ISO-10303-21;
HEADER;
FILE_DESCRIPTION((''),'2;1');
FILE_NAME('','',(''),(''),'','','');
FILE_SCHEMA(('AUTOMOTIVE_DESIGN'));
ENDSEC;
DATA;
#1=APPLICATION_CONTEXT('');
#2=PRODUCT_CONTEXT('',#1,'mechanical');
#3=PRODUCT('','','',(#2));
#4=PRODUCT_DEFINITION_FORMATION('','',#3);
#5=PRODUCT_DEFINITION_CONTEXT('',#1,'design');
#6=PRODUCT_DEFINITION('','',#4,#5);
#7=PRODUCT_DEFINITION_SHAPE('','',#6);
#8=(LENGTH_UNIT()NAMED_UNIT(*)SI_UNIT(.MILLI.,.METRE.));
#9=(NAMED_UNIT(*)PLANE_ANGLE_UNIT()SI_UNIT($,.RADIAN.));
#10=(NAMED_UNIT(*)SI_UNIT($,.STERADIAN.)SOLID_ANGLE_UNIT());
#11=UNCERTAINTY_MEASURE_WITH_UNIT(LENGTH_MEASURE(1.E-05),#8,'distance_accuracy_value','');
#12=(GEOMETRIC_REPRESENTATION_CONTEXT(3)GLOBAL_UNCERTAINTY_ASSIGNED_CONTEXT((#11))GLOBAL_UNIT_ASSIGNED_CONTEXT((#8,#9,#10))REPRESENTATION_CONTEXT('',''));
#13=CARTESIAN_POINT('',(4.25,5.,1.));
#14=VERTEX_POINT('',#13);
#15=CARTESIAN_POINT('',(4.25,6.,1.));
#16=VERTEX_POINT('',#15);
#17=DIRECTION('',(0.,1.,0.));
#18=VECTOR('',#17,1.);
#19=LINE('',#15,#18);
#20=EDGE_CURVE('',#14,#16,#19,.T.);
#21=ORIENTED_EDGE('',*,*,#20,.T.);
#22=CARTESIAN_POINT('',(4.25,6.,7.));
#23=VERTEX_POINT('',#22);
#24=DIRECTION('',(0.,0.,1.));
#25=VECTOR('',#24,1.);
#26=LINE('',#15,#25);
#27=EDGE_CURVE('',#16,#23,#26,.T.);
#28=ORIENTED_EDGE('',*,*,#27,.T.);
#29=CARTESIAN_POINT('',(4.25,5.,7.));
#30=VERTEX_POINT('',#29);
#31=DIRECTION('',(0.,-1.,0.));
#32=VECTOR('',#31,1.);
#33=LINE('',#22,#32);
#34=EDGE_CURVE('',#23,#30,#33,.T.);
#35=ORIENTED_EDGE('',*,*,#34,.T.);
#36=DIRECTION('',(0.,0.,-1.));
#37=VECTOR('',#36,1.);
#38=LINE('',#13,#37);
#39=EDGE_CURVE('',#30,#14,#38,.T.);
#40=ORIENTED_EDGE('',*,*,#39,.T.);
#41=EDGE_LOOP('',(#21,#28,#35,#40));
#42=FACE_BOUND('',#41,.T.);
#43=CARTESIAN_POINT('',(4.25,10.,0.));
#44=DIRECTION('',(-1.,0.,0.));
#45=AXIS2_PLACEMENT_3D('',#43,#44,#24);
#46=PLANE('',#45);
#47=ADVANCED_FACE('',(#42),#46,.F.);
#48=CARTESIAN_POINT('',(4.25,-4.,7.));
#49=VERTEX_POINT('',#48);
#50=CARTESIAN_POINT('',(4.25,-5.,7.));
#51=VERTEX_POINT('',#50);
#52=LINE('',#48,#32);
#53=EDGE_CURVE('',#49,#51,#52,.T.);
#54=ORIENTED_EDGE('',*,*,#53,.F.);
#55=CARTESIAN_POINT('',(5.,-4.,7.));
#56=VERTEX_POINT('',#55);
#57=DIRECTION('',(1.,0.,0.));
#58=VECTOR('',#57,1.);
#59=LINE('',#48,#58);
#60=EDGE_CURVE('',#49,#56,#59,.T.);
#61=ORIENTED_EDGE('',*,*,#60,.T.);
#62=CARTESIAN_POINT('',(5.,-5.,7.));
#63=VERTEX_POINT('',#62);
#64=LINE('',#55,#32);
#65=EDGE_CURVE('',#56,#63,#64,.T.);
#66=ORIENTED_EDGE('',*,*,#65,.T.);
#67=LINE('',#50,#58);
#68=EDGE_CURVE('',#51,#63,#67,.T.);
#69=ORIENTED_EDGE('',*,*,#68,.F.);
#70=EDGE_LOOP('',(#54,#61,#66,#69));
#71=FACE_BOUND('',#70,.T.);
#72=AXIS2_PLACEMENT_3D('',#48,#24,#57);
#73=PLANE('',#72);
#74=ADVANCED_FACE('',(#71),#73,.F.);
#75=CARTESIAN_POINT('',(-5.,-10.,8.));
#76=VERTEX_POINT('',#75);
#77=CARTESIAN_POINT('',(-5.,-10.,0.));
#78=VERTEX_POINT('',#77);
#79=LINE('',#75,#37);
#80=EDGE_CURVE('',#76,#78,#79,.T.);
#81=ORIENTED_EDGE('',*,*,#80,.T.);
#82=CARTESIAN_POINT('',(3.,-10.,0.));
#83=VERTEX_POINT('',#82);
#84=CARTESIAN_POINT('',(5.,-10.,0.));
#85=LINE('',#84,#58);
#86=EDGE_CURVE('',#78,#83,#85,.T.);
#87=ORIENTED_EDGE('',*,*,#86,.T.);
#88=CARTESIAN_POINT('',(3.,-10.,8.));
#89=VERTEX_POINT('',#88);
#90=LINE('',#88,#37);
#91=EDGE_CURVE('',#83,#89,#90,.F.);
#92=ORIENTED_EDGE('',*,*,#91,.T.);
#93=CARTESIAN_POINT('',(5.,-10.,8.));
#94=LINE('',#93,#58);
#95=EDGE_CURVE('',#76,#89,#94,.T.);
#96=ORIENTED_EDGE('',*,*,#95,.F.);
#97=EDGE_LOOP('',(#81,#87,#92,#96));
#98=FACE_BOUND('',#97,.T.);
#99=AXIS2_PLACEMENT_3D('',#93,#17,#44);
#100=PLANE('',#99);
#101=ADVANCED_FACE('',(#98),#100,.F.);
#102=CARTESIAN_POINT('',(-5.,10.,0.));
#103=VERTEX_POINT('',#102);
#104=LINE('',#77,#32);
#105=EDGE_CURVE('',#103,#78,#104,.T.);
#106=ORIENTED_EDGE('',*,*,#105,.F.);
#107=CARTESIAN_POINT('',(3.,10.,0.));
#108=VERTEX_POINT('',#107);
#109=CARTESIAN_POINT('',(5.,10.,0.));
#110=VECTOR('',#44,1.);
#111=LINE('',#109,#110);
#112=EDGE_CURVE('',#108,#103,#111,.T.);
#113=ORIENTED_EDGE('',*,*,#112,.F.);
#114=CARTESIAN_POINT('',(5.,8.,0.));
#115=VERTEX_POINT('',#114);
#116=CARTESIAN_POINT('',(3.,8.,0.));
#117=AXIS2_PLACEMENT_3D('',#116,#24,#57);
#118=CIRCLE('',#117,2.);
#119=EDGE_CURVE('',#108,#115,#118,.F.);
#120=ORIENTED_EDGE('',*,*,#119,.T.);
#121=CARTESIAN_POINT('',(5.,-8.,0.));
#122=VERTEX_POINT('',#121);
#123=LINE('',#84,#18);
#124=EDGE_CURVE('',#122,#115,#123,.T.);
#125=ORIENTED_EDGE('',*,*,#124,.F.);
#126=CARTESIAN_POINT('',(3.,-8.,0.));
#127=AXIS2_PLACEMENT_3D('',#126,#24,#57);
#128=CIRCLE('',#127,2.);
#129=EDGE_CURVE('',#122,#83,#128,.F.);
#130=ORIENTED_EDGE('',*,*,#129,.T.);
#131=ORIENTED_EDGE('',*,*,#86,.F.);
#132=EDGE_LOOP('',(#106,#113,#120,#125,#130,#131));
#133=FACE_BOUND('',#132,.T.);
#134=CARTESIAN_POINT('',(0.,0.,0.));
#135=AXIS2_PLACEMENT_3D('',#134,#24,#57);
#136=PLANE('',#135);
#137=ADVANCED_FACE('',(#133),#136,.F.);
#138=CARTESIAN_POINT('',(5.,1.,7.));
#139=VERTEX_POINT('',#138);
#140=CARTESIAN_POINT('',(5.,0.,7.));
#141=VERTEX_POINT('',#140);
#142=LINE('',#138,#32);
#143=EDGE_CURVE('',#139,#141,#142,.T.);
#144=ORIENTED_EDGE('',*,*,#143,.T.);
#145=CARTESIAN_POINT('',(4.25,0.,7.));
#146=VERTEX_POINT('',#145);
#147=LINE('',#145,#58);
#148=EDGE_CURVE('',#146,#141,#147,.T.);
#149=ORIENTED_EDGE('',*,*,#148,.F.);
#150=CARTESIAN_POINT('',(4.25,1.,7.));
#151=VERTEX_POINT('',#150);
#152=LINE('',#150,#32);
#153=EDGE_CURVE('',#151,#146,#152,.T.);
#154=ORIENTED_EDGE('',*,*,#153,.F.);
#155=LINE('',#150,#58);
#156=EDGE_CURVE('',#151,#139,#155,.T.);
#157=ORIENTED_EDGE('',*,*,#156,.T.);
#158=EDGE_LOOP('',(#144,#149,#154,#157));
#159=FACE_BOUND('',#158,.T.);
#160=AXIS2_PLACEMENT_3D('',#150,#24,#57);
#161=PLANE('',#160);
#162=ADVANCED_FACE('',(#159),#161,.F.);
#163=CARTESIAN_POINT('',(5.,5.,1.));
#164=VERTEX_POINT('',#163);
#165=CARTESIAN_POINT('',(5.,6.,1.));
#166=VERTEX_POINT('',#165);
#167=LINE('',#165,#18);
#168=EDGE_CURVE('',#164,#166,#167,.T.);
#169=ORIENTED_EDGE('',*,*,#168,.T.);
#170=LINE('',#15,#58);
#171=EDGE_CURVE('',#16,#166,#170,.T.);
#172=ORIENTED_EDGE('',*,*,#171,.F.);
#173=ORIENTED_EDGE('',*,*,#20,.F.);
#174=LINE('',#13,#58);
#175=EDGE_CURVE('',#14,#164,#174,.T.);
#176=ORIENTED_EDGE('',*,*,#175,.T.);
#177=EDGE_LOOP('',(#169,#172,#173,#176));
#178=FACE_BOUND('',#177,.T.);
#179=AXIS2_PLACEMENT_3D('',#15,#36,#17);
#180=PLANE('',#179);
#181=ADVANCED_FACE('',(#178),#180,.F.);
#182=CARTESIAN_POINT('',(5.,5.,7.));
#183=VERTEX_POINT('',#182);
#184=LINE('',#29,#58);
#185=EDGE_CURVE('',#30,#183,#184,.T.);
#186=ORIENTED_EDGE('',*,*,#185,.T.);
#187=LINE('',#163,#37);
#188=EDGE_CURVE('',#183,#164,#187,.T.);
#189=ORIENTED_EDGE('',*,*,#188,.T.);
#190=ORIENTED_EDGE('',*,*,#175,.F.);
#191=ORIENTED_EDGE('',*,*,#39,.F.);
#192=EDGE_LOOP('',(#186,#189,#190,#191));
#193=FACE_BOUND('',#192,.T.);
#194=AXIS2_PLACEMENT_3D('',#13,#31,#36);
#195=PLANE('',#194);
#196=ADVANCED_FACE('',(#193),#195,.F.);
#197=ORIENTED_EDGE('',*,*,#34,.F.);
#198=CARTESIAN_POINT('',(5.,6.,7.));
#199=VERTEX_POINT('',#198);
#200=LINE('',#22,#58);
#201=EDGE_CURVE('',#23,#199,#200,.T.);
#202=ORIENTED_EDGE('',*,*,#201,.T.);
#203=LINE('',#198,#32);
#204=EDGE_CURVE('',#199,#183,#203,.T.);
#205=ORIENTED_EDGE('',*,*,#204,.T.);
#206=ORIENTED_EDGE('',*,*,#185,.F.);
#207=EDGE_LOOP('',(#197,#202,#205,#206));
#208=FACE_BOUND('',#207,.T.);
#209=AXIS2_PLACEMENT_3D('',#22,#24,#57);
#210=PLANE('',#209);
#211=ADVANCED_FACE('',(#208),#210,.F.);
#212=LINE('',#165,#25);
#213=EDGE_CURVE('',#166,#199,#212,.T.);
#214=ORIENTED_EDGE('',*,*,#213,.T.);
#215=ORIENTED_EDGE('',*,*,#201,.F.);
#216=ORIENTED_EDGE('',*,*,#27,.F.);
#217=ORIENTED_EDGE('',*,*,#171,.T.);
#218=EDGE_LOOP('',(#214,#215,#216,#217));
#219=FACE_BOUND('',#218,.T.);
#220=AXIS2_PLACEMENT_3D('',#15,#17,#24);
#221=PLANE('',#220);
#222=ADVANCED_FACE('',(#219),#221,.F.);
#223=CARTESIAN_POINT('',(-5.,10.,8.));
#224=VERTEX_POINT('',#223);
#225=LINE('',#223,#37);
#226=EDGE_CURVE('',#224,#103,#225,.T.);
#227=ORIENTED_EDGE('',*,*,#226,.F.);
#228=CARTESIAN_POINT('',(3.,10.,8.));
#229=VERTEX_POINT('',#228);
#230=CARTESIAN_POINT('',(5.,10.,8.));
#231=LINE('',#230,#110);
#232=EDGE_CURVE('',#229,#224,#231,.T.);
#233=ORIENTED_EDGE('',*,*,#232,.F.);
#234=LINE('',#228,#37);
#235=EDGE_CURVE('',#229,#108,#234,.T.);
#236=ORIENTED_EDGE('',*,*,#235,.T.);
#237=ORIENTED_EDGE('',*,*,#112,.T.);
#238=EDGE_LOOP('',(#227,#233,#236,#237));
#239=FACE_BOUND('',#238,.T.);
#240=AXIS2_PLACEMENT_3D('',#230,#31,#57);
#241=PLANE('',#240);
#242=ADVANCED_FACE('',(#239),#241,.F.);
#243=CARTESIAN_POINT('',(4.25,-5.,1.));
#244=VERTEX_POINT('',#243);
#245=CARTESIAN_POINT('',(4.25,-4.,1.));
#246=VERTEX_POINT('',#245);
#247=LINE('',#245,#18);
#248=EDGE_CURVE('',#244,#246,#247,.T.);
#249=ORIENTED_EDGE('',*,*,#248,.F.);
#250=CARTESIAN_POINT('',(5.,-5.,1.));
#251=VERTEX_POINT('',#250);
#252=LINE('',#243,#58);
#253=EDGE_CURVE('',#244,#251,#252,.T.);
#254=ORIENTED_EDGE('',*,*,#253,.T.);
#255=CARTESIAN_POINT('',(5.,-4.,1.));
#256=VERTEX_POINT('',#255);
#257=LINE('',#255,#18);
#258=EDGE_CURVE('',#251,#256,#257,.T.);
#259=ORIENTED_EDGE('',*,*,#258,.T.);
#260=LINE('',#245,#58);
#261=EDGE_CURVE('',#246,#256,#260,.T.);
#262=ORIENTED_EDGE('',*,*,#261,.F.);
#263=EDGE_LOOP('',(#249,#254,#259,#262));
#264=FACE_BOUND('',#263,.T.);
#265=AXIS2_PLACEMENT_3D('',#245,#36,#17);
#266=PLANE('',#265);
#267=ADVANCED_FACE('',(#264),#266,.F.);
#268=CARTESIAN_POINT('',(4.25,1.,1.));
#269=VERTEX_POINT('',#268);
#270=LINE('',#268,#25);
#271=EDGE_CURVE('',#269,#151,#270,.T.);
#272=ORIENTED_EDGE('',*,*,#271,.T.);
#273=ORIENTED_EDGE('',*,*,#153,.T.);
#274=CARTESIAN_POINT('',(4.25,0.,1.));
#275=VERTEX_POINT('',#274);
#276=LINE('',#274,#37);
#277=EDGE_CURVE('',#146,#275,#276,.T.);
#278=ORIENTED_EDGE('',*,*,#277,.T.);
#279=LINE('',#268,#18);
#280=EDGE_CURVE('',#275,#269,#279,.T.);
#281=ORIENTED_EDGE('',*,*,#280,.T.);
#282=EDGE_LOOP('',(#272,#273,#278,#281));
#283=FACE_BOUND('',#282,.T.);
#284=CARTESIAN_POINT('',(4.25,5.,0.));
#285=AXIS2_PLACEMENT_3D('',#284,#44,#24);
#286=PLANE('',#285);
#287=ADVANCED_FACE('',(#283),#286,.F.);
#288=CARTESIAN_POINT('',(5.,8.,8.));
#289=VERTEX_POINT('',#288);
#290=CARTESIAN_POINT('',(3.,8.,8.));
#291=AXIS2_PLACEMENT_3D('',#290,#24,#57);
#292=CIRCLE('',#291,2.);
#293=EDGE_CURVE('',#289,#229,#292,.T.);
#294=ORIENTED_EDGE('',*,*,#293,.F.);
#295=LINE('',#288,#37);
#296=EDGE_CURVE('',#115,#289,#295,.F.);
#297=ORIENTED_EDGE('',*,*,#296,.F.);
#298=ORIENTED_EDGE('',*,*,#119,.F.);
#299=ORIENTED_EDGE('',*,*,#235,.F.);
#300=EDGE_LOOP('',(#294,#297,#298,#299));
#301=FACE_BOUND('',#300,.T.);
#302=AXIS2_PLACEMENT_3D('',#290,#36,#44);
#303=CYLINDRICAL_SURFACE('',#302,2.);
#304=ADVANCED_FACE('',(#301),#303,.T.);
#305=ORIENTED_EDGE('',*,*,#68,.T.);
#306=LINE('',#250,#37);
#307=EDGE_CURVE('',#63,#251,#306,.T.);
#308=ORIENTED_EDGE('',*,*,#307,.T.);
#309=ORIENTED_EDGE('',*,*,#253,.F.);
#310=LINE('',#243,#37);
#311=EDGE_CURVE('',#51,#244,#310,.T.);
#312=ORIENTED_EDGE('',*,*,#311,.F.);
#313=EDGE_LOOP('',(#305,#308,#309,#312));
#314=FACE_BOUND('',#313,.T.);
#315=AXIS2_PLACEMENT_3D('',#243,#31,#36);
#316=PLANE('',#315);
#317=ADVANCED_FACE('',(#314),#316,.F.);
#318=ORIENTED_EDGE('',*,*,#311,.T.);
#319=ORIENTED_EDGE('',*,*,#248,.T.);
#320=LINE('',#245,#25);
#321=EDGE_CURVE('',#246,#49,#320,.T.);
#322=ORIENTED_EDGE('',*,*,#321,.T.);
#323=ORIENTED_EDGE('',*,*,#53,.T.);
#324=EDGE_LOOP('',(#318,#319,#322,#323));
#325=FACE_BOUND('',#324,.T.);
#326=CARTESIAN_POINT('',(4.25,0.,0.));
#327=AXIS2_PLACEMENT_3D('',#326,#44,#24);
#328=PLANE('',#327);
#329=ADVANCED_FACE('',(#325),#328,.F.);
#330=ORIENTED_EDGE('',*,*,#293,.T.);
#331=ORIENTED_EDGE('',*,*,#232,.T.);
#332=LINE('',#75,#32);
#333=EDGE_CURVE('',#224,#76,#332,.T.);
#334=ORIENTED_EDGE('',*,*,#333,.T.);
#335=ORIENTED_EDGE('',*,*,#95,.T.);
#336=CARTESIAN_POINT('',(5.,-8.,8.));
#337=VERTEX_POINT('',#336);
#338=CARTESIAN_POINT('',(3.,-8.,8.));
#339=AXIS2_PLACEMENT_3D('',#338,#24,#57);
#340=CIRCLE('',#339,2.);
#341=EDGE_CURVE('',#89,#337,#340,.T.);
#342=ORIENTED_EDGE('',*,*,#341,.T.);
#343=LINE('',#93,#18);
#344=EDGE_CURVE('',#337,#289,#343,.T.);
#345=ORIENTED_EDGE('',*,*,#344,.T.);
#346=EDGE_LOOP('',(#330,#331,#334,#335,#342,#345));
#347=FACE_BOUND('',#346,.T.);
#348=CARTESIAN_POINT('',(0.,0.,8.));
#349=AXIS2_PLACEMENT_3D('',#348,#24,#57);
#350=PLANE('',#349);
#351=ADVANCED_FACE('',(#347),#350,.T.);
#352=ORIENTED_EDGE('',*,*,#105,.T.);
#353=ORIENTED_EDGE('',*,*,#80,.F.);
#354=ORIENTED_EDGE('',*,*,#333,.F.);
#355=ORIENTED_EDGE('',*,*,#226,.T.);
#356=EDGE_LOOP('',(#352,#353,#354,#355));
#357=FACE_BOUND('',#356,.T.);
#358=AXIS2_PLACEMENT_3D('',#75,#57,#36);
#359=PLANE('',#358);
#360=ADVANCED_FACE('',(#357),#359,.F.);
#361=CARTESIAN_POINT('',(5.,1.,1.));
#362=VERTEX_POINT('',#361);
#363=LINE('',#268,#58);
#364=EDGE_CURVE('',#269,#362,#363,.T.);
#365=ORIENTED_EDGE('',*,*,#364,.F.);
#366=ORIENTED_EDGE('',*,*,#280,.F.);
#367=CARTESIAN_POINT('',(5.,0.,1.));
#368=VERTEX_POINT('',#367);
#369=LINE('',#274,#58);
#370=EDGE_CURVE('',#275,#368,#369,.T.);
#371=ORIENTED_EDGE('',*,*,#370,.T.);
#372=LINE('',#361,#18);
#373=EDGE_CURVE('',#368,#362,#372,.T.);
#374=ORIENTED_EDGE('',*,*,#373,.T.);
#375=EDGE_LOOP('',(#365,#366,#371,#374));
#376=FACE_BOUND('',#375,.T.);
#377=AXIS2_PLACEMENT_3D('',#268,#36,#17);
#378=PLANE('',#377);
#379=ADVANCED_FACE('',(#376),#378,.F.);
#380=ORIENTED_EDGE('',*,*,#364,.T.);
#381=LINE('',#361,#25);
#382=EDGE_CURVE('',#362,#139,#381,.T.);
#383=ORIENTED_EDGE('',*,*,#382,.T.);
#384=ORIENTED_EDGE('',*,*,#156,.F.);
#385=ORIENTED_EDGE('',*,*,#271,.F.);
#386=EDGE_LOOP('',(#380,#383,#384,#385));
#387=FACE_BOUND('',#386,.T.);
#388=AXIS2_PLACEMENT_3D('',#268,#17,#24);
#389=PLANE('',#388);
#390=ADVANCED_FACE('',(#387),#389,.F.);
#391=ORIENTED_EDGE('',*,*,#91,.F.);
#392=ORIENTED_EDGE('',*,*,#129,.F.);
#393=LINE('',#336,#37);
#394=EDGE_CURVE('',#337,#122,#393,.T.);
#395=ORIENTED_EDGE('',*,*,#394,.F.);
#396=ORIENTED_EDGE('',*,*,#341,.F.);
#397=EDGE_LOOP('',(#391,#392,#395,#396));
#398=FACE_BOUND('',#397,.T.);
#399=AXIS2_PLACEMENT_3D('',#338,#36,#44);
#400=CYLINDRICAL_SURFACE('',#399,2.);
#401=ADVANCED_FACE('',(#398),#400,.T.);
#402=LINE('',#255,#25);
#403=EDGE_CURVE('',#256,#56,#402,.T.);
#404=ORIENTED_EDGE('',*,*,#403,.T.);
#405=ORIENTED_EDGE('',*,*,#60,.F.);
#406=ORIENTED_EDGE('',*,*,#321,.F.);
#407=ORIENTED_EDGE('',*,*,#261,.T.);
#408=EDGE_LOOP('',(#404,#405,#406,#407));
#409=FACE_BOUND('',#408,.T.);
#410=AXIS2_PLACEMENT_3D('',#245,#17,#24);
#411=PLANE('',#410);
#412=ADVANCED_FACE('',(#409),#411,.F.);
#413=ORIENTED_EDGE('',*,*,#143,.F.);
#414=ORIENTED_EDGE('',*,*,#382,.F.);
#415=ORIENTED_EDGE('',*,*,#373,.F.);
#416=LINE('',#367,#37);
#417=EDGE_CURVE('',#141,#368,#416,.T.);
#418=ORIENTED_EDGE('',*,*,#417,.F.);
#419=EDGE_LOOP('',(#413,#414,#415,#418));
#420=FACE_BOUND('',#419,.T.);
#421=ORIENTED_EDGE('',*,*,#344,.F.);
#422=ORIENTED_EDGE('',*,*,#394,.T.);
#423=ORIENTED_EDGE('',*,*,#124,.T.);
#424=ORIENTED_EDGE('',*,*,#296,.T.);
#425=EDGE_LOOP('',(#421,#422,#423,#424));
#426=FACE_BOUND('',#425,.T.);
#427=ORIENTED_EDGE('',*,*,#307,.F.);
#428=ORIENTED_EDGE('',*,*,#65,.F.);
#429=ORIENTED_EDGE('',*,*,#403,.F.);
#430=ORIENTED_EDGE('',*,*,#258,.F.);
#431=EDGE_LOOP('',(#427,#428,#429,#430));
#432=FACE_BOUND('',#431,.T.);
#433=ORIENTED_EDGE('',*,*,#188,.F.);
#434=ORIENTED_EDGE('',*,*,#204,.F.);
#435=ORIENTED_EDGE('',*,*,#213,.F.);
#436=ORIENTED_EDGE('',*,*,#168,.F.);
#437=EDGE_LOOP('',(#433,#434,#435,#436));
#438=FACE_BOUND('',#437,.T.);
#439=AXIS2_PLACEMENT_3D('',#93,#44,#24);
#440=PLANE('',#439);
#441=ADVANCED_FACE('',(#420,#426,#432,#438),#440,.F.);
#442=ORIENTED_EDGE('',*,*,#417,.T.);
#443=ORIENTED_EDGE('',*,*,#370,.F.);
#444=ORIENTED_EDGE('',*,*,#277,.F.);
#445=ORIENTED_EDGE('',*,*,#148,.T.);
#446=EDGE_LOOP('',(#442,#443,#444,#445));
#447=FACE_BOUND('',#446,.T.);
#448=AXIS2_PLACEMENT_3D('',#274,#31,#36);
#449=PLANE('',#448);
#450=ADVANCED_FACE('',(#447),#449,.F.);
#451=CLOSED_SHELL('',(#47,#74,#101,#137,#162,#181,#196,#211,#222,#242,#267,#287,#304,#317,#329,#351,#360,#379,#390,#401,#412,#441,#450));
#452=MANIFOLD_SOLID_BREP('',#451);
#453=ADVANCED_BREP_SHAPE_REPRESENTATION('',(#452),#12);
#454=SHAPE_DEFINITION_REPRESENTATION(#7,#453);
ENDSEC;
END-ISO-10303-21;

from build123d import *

# Parameters (mm, degrees)
SKETCH1_W           = 10
SKETCH1_H           = 20
BOSS_EXTRUDE1_DEPTH = 8
FILLET3_R           = 2
SKETCH2_W           = 6
SKETCH2_H           = 1
CUT_EXTRUDE1_DEPTH  = 0.75
LPATTERN1_COUNT     = 3
LPATTERN1_PITCH     = 5


with BuildPart() as part:
    # Sketch1 → Boss-Extrude1 (new body)
    with BuildSketch(Plane.XY):
        Rectangle(SKETCH1_W, SKETCH1_H)
    extrude(amount=BOSS_EXTRUDE1_DEPTH)

    # Fillet3
    fillet3_edges = [part.edges().sort_by_distance(p)[0] for p in [
        (5, 10, 4),
        (5, -10, 4),
    ]]
    fillet(fillet3_edges, radius=FILLET3_R)

    # Sketch2 → Cut-Extrude1 (cut)
    with BuildSketch(Plane(origin=(5, 0, 0), x_dir=(0, 0, -1), z_dir=(1, 0, 0))):
        with Locations((-4, -4.5)):
            Rectangle(SKETCH2_W, SKETCH2_H)
    cut_extrude1 = extrude(amount=-CUT_EXTRUDE1_DEPTH, mode=Mode.SUBTRACT)

    # LPattern1: Cut-Extrude1 ×3
    with Locations(*[(0, i * LPATTERN1_PITCH, 0) for i in range(1, LPATTERN1_COUNT)]):
        add(cut_extrude1, mode=Mode.SUBTRACT)


solid = part.part
